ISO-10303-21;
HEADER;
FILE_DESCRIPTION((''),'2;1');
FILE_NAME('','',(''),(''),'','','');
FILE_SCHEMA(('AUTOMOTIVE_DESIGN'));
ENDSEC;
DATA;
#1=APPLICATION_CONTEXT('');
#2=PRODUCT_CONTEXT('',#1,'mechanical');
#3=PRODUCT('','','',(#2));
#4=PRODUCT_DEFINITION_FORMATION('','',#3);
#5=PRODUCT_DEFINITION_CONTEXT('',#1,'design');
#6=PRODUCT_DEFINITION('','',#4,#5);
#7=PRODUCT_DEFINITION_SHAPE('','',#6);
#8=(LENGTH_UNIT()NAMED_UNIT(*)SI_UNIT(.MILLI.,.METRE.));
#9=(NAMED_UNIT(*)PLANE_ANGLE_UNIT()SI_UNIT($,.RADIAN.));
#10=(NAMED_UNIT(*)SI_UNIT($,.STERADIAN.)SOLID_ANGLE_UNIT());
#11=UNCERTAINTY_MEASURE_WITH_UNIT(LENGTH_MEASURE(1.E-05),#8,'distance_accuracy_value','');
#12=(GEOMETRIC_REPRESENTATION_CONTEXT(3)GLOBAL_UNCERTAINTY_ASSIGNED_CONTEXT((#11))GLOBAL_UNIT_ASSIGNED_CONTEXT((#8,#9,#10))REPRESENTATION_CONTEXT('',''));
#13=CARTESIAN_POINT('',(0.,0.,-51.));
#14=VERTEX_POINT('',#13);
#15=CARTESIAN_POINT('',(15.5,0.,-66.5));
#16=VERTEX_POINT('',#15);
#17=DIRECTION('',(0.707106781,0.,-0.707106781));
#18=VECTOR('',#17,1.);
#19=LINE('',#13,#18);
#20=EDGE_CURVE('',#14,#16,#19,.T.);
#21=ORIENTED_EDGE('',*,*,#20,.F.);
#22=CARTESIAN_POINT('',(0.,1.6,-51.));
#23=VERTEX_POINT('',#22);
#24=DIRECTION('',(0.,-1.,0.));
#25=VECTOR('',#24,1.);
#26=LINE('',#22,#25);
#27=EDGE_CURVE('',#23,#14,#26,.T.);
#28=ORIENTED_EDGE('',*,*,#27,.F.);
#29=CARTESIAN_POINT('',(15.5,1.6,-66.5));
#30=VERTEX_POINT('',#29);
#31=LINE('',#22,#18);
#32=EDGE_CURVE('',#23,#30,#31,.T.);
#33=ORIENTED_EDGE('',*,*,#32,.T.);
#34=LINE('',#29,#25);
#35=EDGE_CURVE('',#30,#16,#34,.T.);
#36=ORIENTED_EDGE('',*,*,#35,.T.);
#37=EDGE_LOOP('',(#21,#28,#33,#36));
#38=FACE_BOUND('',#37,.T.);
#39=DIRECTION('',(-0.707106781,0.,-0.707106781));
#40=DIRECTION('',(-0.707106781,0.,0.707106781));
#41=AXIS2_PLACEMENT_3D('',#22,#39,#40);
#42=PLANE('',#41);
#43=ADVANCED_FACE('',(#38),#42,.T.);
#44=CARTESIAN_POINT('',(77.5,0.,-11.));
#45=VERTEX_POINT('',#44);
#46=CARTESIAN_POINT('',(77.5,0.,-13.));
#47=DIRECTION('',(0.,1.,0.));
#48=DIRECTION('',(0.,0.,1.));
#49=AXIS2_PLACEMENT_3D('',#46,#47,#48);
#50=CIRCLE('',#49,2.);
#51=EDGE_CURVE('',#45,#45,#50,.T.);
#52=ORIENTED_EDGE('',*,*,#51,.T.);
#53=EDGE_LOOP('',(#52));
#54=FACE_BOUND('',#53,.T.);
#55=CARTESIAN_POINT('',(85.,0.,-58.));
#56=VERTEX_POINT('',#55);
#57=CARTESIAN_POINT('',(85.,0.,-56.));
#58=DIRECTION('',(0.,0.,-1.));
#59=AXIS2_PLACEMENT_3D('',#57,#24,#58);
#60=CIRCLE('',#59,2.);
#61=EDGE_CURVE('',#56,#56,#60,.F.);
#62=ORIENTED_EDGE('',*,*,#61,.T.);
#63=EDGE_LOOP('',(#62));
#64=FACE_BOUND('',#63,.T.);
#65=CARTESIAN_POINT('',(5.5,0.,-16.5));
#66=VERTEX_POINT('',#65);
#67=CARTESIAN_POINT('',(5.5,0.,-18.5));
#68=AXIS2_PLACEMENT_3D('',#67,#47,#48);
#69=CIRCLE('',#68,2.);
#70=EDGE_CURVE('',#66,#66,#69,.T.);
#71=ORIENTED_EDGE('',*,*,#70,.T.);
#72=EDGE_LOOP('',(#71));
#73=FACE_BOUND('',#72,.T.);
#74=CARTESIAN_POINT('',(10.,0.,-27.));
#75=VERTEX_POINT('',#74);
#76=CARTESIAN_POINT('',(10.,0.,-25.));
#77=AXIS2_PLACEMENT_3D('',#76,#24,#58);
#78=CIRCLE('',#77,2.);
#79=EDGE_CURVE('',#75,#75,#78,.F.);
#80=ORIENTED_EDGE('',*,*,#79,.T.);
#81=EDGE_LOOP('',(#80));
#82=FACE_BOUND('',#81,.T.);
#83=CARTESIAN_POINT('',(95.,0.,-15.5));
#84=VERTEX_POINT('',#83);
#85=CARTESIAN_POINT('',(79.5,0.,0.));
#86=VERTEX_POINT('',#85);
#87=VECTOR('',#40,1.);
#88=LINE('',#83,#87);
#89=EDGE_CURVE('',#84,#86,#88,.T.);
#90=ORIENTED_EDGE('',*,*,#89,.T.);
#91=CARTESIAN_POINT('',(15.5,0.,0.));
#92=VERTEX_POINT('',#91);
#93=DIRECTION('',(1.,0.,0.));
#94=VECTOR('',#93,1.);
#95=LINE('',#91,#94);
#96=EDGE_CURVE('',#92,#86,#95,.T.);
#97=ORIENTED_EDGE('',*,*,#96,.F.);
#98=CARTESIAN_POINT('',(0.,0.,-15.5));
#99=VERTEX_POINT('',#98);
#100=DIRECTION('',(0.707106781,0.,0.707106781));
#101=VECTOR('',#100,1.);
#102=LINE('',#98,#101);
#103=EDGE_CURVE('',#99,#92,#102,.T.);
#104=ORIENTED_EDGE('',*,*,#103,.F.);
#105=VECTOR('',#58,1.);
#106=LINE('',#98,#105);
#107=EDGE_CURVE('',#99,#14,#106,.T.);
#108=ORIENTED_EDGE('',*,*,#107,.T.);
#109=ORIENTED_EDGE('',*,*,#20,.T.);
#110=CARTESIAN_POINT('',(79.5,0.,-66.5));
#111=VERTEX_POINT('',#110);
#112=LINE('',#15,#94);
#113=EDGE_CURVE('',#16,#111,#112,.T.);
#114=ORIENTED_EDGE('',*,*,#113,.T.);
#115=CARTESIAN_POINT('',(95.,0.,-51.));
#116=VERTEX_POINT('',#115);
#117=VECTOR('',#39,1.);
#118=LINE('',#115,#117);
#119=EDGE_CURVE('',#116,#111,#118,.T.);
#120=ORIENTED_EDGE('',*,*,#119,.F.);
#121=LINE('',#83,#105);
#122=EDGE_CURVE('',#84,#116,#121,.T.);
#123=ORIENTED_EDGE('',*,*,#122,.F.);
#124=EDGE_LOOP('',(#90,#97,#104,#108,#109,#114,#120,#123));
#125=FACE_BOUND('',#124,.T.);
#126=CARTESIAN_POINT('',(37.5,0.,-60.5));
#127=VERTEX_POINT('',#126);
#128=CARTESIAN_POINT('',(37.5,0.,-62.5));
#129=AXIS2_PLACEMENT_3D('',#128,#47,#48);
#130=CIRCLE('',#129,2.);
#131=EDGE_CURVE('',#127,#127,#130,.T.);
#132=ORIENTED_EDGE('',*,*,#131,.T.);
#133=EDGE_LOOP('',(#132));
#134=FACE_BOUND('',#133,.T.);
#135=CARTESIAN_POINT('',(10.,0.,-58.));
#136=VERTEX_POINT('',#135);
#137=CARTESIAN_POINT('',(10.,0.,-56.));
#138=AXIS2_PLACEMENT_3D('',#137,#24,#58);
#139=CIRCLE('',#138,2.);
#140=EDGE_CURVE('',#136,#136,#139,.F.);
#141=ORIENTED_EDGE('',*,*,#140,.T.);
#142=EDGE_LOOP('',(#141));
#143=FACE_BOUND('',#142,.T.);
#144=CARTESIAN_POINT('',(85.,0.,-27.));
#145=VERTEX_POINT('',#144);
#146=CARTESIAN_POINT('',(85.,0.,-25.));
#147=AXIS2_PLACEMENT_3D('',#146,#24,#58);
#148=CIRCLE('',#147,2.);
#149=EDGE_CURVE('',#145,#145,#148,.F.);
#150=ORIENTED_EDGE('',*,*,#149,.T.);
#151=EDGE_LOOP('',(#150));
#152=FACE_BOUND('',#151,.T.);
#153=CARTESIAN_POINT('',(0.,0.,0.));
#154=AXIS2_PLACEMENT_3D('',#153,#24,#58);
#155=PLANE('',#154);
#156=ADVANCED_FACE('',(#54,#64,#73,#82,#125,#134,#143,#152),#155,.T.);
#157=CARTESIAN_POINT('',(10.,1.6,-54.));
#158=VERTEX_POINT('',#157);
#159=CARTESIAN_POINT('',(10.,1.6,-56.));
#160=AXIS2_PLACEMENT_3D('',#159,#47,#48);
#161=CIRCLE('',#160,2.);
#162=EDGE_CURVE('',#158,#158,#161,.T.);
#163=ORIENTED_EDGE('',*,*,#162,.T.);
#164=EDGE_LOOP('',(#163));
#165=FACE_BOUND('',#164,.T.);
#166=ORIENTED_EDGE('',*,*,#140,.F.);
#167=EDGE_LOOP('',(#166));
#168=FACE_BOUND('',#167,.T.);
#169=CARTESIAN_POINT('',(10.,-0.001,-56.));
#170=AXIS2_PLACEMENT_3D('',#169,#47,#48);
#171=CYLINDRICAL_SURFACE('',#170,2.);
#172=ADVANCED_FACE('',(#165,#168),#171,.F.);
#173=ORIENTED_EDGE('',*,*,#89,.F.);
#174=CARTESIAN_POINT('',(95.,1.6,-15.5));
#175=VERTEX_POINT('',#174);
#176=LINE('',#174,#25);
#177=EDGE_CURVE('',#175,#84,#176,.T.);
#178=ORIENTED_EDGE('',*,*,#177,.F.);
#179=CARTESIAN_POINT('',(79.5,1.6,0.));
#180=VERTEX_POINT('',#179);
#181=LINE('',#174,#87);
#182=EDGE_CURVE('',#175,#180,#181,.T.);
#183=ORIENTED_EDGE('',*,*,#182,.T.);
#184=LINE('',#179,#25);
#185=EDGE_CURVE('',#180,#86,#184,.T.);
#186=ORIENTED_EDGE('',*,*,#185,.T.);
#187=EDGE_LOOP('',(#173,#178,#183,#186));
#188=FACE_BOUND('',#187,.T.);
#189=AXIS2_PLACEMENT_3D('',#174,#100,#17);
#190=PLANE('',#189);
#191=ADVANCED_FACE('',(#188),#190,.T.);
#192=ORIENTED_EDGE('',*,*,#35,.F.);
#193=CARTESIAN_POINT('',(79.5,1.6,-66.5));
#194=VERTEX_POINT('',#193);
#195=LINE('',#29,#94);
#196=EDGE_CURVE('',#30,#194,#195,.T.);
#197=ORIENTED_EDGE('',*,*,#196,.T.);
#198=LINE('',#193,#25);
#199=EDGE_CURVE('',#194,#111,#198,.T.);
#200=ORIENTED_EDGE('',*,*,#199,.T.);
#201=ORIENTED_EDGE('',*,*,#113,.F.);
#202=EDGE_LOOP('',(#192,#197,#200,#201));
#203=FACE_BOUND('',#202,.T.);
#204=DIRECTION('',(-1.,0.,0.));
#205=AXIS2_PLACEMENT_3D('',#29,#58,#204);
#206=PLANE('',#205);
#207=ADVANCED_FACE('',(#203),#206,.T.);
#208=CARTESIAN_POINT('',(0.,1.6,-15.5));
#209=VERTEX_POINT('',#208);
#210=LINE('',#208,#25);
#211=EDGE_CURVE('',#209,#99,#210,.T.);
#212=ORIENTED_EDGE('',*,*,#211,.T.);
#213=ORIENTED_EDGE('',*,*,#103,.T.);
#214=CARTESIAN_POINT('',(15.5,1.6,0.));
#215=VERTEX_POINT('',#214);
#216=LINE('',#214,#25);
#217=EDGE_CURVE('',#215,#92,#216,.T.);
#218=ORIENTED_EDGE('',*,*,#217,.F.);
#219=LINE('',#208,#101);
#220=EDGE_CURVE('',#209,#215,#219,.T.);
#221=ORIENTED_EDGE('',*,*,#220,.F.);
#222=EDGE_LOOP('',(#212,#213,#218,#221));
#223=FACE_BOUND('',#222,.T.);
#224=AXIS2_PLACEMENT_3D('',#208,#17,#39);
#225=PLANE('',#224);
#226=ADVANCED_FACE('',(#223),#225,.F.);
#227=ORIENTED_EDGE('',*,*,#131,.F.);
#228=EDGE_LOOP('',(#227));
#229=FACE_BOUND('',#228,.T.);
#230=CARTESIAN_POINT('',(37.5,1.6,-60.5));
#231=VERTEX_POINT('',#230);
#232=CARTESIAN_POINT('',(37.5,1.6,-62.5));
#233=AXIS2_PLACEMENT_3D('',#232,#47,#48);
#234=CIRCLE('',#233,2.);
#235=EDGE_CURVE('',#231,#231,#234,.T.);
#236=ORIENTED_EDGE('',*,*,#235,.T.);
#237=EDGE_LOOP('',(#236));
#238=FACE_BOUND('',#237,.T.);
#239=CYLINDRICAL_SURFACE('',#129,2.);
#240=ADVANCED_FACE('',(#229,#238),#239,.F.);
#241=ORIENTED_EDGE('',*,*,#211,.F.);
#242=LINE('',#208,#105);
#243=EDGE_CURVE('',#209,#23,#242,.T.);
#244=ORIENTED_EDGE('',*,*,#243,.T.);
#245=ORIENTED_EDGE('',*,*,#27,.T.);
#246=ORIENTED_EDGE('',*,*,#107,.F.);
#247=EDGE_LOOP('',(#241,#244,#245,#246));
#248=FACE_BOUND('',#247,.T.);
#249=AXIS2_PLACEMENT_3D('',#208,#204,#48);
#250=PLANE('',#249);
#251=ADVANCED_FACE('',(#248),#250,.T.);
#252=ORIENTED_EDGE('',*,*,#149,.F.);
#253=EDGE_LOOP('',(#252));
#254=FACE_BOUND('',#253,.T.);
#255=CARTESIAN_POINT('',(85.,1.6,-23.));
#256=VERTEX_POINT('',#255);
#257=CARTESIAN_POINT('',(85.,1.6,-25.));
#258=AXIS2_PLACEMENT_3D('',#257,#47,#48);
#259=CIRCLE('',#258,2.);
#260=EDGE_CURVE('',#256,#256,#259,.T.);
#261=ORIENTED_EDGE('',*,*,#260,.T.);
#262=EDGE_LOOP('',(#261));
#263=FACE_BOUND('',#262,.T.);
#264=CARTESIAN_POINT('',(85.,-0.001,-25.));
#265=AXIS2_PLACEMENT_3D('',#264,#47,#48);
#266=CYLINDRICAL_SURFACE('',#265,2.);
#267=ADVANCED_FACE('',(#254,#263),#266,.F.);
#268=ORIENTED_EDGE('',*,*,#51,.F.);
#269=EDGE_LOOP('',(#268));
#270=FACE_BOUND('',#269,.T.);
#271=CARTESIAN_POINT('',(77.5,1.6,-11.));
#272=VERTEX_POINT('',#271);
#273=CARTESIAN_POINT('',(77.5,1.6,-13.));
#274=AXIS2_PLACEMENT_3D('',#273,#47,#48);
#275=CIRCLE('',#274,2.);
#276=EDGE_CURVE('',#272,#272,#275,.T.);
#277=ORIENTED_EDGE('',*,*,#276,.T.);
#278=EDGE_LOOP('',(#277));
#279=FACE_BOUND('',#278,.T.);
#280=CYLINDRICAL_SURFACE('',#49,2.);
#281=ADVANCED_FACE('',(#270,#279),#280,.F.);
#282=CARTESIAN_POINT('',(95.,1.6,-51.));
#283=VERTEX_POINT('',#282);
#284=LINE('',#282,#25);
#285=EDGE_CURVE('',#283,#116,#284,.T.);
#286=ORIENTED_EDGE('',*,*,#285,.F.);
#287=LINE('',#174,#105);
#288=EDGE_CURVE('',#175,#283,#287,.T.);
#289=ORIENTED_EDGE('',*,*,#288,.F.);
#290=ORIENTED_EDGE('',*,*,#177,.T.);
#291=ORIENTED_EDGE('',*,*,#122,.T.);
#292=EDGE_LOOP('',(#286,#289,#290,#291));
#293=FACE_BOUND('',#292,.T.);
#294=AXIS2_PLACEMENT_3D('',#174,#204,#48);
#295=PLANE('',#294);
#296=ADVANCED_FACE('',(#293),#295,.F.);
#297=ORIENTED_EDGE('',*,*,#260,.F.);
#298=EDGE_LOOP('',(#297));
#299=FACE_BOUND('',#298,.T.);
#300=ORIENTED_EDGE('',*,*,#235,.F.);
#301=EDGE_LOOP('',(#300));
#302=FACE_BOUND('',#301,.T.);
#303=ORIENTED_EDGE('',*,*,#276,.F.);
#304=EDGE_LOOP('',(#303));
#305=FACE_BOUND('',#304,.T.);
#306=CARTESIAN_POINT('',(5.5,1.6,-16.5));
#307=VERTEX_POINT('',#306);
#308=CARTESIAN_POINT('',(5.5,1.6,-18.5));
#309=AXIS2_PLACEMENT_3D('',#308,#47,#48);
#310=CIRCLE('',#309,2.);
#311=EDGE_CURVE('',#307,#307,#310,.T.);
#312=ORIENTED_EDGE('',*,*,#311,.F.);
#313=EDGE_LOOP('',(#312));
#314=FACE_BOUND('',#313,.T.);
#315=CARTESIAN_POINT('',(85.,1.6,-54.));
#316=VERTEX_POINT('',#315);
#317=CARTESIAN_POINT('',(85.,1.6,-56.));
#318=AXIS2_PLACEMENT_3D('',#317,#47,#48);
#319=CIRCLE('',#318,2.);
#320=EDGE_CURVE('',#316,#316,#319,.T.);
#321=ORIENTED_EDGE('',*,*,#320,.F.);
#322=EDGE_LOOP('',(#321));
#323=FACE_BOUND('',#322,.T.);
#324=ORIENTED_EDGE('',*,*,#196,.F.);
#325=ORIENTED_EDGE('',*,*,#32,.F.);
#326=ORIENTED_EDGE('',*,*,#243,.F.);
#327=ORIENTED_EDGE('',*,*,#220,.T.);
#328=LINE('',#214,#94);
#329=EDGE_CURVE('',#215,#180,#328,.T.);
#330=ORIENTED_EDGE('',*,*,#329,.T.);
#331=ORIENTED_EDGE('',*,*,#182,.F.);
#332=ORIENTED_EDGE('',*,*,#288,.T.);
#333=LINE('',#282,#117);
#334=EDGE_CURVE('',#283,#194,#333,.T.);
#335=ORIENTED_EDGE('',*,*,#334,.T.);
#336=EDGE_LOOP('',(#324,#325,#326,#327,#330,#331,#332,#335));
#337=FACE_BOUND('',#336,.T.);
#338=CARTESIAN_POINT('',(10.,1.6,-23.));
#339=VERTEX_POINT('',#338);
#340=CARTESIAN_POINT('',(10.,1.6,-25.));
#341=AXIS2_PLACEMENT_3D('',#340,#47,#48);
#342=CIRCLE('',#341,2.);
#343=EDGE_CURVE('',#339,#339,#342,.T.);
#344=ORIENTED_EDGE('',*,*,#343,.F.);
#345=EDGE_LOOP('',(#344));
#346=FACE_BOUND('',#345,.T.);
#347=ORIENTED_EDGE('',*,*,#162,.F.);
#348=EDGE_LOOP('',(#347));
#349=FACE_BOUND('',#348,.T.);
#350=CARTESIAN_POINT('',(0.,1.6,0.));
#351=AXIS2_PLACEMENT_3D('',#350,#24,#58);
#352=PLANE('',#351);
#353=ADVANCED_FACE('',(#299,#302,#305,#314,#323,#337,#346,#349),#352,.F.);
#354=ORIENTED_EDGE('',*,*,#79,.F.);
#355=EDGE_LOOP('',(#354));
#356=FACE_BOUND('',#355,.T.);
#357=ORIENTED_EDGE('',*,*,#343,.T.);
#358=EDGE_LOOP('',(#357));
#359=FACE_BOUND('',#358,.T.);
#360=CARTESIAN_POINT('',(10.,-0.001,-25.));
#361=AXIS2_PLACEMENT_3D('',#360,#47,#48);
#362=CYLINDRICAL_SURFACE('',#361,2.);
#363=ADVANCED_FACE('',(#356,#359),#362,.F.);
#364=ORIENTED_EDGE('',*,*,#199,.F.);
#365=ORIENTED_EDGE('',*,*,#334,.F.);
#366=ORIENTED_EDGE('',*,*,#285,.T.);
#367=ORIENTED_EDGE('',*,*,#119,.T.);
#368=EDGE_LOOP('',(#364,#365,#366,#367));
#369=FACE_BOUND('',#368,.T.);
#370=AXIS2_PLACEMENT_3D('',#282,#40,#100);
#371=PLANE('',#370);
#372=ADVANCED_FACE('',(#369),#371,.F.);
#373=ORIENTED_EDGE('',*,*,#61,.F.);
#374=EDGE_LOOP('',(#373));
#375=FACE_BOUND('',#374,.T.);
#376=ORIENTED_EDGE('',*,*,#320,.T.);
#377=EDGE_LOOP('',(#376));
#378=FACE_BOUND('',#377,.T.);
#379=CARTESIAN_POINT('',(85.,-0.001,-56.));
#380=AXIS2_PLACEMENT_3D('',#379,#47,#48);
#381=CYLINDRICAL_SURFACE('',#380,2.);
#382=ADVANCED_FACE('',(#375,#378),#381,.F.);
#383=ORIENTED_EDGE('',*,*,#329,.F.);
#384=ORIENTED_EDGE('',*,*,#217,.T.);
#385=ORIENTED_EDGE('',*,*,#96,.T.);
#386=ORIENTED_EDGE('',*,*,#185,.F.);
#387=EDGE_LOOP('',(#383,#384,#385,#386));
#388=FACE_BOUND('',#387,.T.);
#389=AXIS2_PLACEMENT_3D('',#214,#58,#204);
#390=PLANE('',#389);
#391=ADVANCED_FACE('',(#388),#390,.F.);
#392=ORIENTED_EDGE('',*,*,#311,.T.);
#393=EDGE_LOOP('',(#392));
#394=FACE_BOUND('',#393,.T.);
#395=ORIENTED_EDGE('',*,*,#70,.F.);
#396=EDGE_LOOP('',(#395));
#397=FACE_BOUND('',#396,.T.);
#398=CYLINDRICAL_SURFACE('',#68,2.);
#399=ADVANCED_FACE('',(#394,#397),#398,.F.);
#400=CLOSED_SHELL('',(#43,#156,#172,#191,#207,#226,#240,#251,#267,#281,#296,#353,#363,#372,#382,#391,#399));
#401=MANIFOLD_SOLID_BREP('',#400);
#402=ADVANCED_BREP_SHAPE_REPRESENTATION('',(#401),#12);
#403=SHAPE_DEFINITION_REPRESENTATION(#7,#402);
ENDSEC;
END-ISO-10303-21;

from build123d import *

# Parameters (mm, degrees)
BOSS_EXTRUDE1_DEPTH = 1.6
SKETCH2_R           = 2
CUT_EXTRUDE1_DEPTH  = 116.973315896
CUT_EXTRUDE2_REACH  = 117.973
SKETCH3_R           = 2


with BuildPart() as part:
    # Sketch1 → Boss-Extrude1 (new body)
    with BuildSketch(Plane(origin=(0, 0, 0), x_dir=(1, 0, 0), z_dir=(0, 1, 0))):
        Polygon((0, 15.5), (15.5, 0), (79.5, 0), (95, 15.5), (95, 51), (79.5, 66.5), (15.5, 66.5), (0, 51), align=None)
    extrude(amount=BOSS_EXTRUDE1_DEPTH)

    # Sketch2 → Cut-Extrude1 (cut, through all)
    with BuildSketch(Plane(origin=(0, 1.6, 0), x_dir=(1, 0, 0), z_dir=(0, 1, 0))):
        with Locations(Location((5.5, 18.5, 0), (0, 0, 270))):
            Circle(SKETCH2_R)
        with Locations(Location((77.5, 13, 0), (0, 0, 270))):
            Circle(SKETCH2_R)
        with Locations(Location((37.5, 62.5, 0), (0, 0, 270))):
            Circle(SKETCH2_R)
    extrude(amount=-CUT_EXTRUDE1_DEPTH, mode=Mode.SUBTRACT)

    # Sketch3 → Cut-Extrude2 (cut, up to next)
    with BuildSketch(Plane(origin=(0, 1.6, 0), x_dir=(1, 0, 0), z_dir=(0, 1, 0)), mode=Mode.PRIVATE) as cut_extrude2_sk1:
        with Locations(Location((10, 56, 0), (0, 0, 270))):
            Circle(SKETCH3_R)
    cut_extrude2_tool1 = extrude(cut_extrude2_sk1.sketch, amount=-CUT_EXTRUDE2_REACH, mode=Mode.PRIVATE) & part.part
    # Sketch3 → Cut-Extrude2 (cut, up to next)
    with BuildSketch(Plane(origin=(0, 1.6, 0), x_dir=(1, 0, 0), z_dir=(0, 1, 0)), mode=Mode.PRIVATE) as cut_extrude2_sk2:
        with Locations(Location((85, 56, 0), (0, 0, 270))):
            Circle(SKETCH3_R)
    cut_extrude2_tool2 = extrude(cut_extrude2_sk2.sketch, amount=-CUT_EXTRUDE2_REACH, mode=Mode.PRIVATE) & part.part
    # Sketch3 → Cut-Extrude2 (cut, up to next)
    with BuildSketch(Plane(origin=(0, 1.6, 0), x_dir=(1, 0, 0), z_dir=(0, 1, 0)), mode=Mode.PRIVATE) as cut_extrude2_sk3:
        with Locations(Location((85, 25, 0), (0, 0, 270))):
            Circle(SKETCH3_R)
    cut_extrude2_tool3 = extrude(cut_extrude2_sk3.sketch, amount=-CUT_EXTRUDE2_REACH, mode=Mode.PRIVATE) & part.part
    # Sketch3 → Cut-Extrude2 (cut, up to next)
    with BuildSketch(Plane(origin=(0, 1.6, 0), x_dir=(1, 0, 0), z_dir=(0, 1, 0)), mode=Mode.PRIVATE) as cut_extrude2_sk4:
        with Locations(Location((10, 25, 0), (0, 0, 270))):
            Circle(SKETCH3_R)
    cut_extrude2_tool4 = extrude(cut_extrude2_sk4.sketch, amount=-CUT_EXTRUDE2_REACH, mode=Mode.PRIVATE) & part.part
    add(cut_extrude2_tool1.solids().sort_by_distance((10, 1.6, -56))[0], mode=Mode.SUBTRACT)
    add(cut_extrude2_tool2.solids().sort_by_distance((85, 1.6, -56))[0], mode=Mode.SUBTRACT)
    add(cut_extrude2_tool3.solids().sort_by_distance((85, 1.6, -25))[0], mode=Mode.SUBTRACT)
    add(cut_extrude2_tool4.solids().sort_by_distance((10, 1.6, -25))[0], mode=Mode.SUBTRACT)


solid = part.part
